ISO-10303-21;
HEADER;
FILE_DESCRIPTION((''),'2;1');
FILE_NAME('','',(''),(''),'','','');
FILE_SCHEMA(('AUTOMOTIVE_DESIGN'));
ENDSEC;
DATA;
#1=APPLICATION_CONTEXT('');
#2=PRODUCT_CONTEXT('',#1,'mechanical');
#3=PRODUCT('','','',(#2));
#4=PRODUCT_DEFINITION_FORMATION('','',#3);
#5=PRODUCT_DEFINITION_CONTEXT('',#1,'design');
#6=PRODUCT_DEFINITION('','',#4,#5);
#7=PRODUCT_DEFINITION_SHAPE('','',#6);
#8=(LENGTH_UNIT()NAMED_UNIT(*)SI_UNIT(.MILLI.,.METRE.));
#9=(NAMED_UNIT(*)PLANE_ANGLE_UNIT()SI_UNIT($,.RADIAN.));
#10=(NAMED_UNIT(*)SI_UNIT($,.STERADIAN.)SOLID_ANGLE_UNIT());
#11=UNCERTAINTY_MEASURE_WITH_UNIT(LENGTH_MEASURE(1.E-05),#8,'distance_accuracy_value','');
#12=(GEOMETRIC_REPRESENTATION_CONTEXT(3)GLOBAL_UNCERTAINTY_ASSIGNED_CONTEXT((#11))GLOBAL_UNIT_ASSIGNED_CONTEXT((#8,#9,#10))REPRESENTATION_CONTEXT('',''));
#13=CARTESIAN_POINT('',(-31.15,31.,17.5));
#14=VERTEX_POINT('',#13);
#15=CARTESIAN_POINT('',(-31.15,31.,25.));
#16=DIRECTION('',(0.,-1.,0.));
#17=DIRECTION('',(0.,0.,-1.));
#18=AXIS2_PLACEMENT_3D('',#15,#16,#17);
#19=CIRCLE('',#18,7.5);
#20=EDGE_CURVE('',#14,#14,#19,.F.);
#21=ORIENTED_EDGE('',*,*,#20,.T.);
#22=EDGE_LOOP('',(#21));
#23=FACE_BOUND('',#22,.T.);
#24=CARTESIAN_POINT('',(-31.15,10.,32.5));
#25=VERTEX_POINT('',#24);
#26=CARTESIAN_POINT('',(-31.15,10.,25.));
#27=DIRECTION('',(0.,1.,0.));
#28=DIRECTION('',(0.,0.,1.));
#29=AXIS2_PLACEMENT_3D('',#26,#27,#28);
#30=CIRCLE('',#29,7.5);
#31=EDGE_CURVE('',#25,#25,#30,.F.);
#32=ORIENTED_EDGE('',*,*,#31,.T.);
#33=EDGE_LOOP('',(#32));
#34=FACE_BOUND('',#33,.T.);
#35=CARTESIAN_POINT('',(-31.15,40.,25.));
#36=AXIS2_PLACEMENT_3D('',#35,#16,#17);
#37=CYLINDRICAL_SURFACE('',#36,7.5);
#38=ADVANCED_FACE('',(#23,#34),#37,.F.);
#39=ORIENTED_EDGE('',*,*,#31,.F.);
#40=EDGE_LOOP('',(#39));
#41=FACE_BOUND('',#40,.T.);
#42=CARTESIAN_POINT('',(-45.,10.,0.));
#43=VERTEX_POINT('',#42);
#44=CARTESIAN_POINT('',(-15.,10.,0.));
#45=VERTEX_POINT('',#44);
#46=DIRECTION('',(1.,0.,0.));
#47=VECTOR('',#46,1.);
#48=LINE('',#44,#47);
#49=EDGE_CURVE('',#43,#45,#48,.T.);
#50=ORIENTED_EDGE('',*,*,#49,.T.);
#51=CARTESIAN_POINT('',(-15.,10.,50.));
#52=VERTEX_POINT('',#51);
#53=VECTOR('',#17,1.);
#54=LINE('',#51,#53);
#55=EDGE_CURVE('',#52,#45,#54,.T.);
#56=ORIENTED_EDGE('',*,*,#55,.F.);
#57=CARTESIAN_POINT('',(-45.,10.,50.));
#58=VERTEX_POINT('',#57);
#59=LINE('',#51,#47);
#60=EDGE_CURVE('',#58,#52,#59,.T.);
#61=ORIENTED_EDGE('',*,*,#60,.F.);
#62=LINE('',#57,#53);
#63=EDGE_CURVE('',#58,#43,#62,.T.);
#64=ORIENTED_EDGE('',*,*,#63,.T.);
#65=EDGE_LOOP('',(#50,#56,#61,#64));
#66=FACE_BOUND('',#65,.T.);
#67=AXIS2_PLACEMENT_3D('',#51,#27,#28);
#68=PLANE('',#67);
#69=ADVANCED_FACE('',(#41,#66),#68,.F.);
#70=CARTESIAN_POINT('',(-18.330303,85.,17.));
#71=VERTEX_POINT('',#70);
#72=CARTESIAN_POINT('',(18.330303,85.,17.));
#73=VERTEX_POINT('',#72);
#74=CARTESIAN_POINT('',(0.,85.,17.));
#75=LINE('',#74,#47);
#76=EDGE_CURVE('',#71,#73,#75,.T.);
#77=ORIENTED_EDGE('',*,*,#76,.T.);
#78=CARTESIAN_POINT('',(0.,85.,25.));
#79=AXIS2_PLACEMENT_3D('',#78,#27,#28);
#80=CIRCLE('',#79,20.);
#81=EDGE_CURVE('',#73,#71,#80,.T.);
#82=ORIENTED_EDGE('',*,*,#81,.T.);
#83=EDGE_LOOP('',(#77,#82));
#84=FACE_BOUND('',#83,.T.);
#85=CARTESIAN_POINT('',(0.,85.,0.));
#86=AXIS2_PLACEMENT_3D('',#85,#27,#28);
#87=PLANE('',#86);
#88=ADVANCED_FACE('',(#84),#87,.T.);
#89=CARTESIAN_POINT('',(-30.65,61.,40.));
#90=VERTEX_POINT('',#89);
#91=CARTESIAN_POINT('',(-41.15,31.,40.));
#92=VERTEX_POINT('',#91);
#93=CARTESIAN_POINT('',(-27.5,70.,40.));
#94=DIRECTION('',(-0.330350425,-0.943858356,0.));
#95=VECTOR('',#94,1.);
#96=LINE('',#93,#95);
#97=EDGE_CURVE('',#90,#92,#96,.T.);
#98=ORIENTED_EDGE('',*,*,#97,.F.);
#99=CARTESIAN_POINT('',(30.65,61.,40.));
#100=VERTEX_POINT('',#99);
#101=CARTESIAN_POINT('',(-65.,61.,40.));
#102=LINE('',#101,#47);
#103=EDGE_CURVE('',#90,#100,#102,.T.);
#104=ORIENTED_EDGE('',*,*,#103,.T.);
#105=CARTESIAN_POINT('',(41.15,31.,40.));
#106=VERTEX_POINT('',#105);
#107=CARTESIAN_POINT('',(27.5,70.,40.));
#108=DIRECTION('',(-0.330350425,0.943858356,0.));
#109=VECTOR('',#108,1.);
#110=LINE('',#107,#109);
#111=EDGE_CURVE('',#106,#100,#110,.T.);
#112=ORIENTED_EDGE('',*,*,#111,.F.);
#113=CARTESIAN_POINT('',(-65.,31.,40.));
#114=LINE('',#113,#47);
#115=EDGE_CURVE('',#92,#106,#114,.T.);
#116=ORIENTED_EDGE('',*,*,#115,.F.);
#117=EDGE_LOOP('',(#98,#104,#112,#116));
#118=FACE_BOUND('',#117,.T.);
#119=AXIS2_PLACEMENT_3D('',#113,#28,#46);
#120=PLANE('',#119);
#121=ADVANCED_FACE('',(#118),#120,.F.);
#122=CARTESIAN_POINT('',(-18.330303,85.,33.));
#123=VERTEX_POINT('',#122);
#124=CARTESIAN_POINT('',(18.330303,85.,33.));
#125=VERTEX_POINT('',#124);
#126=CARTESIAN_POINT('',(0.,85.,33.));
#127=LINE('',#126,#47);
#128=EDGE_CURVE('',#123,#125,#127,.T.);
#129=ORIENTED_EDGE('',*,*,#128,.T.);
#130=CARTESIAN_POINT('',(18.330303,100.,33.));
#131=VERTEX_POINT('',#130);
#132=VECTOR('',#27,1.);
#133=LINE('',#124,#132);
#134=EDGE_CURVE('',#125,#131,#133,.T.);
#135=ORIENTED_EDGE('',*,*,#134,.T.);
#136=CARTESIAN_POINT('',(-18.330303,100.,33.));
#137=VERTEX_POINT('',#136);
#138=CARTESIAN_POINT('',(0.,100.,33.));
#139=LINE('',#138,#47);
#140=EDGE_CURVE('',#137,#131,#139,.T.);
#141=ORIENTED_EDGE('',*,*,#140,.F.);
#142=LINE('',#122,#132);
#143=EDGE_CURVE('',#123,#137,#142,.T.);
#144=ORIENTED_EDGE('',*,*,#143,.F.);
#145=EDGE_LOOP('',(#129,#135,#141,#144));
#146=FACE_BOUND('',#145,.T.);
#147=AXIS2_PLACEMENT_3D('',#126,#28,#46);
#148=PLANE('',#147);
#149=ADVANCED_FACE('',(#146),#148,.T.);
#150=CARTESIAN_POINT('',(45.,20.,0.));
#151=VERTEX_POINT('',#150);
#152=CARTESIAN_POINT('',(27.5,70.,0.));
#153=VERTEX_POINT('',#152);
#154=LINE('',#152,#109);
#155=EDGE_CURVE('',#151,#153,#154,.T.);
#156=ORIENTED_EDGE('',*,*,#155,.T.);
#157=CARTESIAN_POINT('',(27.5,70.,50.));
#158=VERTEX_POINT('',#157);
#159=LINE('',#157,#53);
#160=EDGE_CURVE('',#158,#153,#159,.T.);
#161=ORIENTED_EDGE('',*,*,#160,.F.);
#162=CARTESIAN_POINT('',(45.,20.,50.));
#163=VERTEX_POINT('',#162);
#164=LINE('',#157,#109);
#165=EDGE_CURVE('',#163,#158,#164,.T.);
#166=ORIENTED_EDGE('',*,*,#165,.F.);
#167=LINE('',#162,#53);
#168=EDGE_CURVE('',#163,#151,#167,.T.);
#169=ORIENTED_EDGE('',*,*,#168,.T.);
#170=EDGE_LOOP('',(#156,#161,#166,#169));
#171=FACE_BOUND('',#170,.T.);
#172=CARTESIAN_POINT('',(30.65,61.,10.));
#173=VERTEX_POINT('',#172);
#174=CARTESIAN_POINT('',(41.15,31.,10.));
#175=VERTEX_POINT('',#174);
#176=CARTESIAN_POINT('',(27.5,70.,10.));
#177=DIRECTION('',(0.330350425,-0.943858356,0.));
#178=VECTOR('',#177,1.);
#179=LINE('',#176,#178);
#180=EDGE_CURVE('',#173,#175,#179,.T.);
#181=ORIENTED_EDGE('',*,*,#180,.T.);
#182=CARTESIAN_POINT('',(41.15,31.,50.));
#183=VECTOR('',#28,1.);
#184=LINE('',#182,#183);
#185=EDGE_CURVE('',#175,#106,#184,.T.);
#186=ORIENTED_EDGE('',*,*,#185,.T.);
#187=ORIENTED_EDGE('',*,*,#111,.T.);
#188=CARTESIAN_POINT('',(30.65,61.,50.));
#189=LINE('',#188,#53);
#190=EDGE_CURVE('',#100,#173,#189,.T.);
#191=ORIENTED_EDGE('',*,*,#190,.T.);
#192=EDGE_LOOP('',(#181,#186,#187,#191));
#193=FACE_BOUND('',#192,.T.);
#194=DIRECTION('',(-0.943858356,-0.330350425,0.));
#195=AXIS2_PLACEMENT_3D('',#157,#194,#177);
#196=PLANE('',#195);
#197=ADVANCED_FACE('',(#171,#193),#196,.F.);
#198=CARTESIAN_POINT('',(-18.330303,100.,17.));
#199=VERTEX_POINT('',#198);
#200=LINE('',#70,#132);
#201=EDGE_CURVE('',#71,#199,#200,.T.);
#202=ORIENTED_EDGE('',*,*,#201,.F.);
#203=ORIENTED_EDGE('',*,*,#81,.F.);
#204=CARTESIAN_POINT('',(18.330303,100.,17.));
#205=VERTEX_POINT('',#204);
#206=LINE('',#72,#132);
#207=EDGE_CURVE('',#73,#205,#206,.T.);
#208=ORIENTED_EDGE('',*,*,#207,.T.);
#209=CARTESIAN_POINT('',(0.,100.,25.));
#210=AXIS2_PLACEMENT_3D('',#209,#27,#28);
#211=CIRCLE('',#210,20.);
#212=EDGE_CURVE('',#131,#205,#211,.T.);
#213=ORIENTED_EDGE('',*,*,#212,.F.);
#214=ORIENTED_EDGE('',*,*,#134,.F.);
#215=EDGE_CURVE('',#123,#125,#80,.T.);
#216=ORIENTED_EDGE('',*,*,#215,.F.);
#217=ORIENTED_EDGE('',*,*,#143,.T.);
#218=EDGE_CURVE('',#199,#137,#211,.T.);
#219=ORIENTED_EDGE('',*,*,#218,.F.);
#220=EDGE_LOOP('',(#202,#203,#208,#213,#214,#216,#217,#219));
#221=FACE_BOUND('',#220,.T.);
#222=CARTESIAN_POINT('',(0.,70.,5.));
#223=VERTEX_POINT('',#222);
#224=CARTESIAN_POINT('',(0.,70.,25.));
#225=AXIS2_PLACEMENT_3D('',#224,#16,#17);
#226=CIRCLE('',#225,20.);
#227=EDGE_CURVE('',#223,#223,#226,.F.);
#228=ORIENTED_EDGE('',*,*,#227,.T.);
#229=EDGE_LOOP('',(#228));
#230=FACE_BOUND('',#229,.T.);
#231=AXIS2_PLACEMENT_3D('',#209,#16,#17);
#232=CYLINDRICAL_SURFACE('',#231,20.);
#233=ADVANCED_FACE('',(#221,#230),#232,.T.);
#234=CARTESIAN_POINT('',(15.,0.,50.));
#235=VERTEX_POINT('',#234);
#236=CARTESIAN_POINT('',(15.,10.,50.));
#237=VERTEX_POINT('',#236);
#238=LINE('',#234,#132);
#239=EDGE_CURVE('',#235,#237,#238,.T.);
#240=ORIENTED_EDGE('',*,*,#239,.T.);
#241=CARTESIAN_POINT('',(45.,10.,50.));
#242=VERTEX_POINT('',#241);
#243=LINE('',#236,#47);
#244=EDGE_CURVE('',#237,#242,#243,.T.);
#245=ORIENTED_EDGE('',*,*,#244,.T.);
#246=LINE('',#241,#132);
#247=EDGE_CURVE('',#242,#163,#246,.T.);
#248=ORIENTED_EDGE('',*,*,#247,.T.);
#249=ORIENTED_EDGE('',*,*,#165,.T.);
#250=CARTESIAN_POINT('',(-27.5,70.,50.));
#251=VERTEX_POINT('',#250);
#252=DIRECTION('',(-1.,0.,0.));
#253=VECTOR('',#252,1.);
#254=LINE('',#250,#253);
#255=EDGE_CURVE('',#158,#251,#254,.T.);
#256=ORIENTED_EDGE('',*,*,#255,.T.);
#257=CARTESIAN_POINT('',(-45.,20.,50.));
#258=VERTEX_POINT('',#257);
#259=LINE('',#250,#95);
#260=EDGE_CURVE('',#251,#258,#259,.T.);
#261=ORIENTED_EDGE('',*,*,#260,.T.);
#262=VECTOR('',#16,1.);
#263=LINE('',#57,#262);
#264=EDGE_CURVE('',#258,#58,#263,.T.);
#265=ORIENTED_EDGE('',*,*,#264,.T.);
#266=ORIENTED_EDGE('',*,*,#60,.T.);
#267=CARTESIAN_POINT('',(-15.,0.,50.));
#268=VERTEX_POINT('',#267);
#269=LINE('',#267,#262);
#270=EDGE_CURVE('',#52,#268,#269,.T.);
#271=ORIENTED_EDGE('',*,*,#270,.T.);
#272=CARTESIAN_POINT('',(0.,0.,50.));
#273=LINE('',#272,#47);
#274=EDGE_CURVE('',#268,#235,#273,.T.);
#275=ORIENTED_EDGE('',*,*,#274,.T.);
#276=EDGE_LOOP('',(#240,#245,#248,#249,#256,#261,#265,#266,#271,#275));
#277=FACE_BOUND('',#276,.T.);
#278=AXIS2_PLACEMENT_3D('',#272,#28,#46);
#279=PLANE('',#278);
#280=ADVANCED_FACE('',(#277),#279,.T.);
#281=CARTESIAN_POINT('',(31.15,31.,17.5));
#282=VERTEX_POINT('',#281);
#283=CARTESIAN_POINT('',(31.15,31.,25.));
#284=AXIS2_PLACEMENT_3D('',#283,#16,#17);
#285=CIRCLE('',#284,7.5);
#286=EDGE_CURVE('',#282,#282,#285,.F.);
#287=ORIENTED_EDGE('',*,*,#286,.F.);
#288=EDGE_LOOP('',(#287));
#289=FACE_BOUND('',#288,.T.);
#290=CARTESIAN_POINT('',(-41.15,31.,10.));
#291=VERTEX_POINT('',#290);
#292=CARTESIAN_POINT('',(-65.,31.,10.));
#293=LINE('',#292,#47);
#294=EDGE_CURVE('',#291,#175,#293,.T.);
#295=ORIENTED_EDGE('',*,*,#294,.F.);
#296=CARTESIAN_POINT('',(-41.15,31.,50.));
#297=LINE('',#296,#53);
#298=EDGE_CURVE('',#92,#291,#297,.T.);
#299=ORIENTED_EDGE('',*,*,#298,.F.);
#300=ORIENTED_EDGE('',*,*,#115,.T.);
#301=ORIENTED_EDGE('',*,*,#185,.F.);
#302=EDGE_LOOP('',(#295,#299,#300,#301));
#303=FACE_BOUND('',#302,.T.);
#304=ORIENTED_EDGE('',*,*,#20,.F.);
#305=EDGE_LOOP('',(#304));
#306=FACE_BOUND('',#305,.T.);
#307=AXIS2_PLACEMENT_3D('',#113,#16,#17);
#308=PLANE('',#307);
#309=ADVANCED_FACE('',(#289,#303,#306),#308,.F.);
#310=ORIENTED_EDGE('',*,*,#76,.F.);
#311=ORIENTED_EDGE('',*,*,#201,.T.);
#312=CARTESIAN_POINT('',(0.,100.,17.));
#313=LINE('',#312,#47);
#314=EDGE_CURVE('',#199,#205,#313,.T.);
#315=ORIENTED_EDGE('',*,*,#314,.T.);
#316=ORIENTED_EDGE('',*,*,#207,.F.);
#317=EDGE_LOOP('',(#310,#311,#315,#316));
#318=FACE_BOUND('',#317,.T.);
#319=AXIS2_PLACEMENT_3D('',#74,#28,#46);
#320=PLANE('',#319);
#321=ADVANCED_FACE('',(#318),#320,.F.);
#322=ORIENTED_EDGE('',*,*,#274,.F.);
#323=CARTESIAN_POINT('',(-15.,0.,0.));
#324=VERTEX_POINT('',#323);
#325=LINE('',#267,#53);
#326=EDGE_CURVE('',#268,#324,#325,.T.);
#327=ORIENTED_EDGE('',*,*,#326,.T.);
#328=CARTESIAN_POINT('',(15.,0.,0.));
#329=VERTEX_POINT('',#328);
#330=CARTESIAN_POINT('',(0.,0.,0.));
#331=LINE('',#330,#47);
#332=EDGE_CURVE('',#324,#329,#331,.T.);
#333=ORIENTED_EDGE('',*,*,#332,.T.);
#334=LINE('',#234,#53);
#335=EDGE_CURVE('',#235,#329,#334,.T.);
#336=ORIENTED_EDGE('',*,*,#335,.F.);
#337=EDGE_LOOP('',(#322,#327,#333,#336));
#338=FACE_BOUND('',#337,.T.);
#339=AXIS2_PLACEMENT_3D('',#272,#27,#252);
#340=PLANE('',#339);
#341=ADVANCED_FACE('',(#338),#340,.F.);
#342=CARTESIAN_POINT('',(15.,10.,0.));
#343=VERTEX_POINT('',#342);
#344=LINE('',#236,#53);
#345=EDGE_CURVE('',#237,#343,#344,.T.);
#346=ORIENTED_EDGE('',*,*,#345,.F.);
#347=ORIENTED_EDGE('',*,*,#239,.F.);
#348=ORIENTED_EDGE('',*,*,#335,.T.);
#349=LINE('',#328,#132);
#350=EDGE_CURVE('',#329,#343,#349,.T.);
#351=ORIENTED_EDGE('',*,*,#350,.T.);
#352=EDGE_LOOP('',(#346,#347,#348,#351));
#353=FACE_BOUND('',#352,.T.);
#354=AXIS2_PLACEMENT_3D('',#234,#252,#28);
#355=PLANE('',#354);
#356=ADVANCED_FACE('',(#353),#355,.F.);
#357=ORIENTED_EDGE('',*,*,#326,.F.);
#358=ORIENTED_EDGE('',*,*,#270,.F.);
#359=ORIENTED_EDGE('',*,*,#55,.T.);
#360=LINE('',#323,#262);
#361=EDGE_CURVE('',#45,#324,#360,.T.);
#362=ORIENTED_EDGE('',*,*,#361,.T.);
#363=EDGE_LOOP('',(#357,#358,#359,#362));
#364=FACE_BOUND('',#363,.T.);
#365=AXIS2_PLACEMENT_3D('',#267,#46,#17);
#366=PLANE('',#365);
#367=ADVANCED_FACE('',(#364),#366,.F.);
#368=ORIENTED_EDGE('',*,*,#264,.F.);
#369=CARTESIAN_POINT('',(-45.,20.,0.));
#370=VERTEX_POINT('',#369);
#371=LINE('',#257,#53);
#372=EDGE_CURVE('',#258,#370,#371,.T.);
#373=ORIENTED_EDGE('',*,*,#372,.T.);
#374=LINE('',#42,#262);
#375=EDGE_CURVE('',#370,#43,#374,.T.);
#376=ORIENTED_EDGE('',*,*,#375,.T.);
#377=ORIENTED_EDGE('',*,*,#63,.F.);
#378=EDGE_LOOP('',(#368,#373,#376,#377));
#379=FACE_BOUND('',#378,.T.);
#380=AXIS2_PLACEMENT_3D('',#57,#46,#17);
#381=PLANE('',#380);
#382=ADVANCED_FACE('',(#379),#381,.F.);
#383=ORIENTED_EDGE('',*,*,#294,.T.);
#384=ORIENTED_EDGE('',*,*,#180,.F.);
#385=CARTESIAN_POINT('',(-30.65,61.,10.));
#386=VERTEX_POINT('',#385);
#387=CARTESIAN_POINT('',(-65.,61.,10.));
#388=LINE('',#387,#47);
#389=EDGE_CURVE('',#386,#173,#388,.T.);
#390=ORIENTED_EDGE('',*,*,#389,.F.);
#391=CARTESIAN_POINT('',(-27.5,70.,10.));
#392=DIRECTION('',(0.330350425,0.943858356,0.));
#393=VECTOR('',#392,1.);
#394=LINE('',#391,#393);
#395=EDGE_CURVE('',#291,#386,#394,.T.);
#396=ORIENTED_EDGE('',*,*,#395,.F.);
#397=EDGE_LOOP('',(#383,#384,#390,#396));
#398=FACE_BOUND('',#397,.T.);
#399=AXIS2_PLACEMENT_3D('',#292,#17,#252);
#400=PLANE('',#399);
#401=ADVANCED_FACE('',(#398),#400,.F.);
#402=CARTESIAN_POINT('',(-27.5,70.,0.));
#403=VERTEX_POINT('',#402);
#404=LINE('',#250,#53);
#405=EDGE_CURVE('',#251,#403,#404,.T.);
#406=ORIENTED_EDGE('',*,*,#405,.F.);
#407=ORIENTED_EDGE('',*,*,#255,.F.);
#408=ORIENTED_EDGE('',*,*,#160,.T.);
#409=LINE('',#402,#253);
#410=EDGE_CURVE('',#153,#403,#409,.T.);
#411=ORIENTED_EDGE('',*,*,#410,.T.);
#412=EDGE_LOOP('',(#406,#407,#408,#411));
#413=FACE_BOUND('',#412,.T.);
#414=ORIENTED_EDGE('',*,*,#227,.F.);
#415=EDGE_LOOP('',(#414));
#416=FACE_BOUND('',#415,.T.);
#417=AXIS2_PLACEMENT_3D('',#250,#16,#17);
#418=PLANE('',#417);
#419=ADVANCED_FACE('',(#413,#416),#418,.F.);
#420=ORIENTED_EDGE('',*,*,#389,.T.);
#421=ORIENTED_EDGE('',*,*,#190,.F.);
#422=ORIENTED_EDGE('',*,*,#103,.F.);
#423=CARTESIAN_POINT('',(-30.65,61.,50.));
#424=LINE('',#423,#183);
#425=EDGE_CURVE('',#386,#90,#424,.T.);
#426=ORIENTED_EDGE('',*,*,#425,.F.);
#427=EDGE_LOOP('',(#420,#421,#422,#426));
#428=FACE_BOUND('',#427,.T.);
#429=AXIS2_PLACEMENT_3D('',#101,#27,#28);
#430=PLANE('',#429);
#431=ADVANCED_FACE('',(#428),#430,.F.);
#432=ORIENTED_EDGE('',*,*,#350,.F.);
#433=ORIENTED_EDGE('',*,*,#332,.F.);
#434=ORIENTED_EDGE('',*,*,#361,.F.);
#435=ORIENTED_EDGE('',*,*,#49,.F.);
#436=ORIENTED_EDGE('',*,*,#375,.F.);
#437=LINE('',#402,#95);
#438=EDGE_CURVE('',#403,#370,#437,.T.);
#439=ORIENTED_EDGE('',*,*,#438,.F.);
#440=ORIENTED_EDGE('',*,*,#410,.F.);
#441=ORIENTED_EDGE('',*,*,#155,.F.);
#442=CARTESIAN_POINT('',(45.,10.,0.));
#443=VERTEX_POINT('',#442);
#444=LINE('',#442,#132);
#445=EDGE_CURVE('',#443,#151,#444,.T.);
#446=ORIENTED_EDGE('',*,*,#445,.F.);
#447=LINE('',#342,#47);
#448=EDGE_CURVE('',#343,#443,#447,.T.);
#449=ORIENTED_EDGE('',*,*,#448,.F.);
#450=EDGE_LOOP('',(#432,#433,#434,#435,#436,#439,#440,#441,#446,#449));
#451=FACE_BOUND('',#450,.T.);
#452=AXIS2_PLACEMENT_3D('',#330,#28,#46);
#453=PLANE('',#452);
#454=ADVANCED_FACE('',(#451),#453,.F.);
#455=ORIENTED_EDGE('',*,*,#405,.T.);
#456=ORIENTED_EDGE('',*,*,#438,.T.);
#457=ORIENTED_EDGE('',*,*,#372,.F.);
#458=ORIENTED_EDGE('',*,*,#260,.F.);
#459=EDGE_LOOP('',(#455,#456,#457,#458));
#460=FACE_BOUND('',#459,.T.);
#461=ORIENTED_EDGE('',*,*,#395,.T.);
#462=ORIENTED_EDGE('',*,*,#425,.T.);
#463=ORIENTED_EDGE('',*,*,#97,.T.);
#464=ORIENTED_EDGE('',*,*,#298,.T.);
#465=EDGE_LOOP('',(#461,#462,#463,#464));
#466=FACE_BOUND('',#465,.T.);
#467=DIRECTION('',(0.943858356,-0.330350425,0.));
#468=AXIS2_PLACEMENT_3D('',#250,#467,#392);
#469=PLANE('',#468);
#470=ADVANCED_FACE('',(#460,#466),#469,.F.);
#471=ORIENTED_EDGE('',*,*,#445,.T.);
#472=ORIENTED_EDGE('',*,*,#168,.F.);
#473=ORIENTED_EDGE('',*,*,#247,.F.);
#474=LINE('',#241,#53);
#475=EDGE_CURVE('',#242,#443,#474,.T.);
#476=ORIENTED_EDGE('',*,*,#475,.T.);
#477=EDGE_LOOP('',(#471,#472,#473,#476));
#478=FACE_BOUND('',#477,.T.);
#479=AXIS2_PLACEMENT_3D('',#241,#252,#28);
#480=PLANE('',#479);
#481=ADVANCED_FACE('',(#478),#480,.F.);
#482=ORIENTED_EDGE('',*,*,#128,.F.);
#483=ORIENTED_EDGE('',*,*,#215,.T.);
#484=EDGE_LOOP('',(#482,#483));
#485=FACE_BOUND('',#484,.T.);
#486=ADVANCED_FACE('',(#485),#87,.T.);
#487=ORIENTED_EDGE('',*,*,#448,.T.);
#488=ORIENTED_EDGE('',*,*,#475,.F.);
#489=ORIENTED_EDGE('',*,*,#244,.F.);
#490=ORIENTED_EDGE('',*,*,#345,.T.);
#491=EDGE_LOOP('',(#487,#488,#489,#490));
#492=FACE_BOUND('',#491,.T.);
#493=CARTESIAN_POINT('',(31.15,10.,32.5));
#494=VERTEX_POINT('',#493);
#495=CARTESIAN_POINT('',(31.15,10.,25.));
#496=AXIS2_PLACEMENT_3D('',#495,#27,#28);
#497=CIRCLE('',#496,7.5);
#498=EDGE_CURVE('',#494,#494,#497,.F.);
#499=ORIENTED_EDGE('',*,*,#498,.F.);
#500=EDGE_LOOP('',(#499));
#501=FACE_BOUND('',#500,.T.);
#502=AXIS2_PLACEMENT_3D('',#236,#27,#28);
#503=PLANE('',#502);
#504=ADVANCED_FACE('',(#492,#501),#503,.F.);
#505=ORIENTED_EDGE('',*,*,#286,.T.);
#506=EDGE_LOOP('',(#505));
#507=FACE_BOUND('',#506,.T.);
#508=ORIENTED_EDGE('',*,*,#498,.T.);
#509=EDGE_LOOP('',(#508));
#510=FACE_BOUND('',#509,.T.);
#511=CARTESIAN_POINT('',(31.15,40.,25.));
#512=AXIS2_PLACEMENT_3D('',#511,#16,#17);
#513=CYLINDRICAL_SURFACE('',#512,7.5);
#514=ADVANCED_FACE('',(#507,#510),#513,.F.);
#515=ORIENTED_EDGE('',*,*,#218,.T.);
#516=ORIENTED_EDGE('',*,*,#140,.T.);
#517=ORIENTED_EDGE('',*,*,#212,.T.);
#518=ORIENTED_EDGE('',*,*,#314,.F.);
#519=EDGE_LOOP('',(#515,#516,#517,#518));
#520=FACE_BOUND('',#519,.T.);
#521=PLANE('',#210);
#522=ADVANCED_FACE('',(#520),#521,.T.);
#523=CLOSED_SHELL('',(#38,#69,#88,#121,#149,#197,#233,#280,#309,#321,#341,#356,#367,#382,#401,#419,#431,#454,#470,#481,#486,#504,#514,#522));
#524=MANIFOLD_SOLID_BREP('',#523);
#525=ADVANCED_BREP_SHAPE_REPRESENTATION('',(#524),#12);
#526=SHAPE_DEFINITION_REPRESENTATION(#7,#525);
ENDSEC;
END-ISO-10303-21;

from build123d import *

# Parameters (mm, degrees)
BOSS_EXTRUDE1_DEPTH = 50
SKETCH2_W           = 30
SKETCH2_H           = 30
CUT_EXTRUDE1_DEPTH  = 65
SKETCH3_R           = 7.5
CUT_EXTRUDE2_DEPTH  = 40
SKETCH4_R           = 20
BOSS_EXTRUDE2_DEPTH = 30
CUT_EXTRUDE3_START  = -15
CUT_EXTRUDE3_DEPTH  = 15


with BuildPart() as part:
    # Sketch1 → Boss-Extrude1 (new body)
    with BuildSketch(Plane.XY):
        Polygon((0, 0), (-15, 0), (-15, 10), (-45, 10), (-45, 20), (-27.5, 70), (27.5, 70), (45, 20), (45, 10), (15, 10), (15, 0), align=None)
    extrude(amount=BOSS_EXTRUDE1_DEPTH)

    # Sketch2 → Cut-Extrude1 (cut, symmetric)
    with BuildSketch(Plane(origin=(0, 0, 0), x_dir=(0, 0, -1), z_dir=(1, 0, 0))):
        with Locations((-25, 46)):
            Rectangle(SKETCH2_W, SKETCH2_H)
    extrude(amount=CUT_EXTRUDE1_DEPTH, both=True, mode=Mode.SUBTRACT)

    # Sketch3 → Cut-Extrude2 (cut)
    with BuildSketch(Plane(origin=(0, 0, 0), x_dir=(1, 0, 0), z_dir=(0, 1, 0))):
        with Locations(Location((-31.15, -25, 0), (0, 0, 90))):
            Circle(SKETCH3_R)
        with Locations(Location((31.15, -25, 0), (0, 0, 90))):
            Circle(SKETCH3_R)
    extrude(amount=CUT_EXTRUDE2_DEPTH, mode=Mode.SUBTRACT)

    # Sketch4 → Boss-Extrude2 (add)
    with BuildSketch(Plane(origin=(0, 70, 0), x_dir=(1, 0, 0), z_dir=(0, 1, 0))):
        with Locations(Location((0, -25, 0), (0, 0, 90))):
            Circle(SKETCH4_R)
    extrude(amount=BOSS_EXTRUDE2_DEPTH)

    # Sketch5 → Cut-Extrude3 (cut)
    with BuildSketch(Plane(origin=(0, 100, 0), x_dir=(1, 0, 0), z_dir=(0, 1, 0)).offset(CUT_EXTRUDE3_START)):
        with BuildLine():
            ThreePointArc((18.33030278, -17), (0, -5), (-18.33030278, -17))
            Line((-18.33030278, -17), (18.33030278, -17))
        make_face()
        with BuildLine():
            Line((18.33030278, -33), (-18.33030278, -33))
            ThreePointArc((-18.33030278, -33), (0, -45), (18.33030278, -33))
        make_face()
    extrude(amount=CUT_EXTRUDE3_DEPTH, mode=Mode.SUBTRACT)


solid = part.part
